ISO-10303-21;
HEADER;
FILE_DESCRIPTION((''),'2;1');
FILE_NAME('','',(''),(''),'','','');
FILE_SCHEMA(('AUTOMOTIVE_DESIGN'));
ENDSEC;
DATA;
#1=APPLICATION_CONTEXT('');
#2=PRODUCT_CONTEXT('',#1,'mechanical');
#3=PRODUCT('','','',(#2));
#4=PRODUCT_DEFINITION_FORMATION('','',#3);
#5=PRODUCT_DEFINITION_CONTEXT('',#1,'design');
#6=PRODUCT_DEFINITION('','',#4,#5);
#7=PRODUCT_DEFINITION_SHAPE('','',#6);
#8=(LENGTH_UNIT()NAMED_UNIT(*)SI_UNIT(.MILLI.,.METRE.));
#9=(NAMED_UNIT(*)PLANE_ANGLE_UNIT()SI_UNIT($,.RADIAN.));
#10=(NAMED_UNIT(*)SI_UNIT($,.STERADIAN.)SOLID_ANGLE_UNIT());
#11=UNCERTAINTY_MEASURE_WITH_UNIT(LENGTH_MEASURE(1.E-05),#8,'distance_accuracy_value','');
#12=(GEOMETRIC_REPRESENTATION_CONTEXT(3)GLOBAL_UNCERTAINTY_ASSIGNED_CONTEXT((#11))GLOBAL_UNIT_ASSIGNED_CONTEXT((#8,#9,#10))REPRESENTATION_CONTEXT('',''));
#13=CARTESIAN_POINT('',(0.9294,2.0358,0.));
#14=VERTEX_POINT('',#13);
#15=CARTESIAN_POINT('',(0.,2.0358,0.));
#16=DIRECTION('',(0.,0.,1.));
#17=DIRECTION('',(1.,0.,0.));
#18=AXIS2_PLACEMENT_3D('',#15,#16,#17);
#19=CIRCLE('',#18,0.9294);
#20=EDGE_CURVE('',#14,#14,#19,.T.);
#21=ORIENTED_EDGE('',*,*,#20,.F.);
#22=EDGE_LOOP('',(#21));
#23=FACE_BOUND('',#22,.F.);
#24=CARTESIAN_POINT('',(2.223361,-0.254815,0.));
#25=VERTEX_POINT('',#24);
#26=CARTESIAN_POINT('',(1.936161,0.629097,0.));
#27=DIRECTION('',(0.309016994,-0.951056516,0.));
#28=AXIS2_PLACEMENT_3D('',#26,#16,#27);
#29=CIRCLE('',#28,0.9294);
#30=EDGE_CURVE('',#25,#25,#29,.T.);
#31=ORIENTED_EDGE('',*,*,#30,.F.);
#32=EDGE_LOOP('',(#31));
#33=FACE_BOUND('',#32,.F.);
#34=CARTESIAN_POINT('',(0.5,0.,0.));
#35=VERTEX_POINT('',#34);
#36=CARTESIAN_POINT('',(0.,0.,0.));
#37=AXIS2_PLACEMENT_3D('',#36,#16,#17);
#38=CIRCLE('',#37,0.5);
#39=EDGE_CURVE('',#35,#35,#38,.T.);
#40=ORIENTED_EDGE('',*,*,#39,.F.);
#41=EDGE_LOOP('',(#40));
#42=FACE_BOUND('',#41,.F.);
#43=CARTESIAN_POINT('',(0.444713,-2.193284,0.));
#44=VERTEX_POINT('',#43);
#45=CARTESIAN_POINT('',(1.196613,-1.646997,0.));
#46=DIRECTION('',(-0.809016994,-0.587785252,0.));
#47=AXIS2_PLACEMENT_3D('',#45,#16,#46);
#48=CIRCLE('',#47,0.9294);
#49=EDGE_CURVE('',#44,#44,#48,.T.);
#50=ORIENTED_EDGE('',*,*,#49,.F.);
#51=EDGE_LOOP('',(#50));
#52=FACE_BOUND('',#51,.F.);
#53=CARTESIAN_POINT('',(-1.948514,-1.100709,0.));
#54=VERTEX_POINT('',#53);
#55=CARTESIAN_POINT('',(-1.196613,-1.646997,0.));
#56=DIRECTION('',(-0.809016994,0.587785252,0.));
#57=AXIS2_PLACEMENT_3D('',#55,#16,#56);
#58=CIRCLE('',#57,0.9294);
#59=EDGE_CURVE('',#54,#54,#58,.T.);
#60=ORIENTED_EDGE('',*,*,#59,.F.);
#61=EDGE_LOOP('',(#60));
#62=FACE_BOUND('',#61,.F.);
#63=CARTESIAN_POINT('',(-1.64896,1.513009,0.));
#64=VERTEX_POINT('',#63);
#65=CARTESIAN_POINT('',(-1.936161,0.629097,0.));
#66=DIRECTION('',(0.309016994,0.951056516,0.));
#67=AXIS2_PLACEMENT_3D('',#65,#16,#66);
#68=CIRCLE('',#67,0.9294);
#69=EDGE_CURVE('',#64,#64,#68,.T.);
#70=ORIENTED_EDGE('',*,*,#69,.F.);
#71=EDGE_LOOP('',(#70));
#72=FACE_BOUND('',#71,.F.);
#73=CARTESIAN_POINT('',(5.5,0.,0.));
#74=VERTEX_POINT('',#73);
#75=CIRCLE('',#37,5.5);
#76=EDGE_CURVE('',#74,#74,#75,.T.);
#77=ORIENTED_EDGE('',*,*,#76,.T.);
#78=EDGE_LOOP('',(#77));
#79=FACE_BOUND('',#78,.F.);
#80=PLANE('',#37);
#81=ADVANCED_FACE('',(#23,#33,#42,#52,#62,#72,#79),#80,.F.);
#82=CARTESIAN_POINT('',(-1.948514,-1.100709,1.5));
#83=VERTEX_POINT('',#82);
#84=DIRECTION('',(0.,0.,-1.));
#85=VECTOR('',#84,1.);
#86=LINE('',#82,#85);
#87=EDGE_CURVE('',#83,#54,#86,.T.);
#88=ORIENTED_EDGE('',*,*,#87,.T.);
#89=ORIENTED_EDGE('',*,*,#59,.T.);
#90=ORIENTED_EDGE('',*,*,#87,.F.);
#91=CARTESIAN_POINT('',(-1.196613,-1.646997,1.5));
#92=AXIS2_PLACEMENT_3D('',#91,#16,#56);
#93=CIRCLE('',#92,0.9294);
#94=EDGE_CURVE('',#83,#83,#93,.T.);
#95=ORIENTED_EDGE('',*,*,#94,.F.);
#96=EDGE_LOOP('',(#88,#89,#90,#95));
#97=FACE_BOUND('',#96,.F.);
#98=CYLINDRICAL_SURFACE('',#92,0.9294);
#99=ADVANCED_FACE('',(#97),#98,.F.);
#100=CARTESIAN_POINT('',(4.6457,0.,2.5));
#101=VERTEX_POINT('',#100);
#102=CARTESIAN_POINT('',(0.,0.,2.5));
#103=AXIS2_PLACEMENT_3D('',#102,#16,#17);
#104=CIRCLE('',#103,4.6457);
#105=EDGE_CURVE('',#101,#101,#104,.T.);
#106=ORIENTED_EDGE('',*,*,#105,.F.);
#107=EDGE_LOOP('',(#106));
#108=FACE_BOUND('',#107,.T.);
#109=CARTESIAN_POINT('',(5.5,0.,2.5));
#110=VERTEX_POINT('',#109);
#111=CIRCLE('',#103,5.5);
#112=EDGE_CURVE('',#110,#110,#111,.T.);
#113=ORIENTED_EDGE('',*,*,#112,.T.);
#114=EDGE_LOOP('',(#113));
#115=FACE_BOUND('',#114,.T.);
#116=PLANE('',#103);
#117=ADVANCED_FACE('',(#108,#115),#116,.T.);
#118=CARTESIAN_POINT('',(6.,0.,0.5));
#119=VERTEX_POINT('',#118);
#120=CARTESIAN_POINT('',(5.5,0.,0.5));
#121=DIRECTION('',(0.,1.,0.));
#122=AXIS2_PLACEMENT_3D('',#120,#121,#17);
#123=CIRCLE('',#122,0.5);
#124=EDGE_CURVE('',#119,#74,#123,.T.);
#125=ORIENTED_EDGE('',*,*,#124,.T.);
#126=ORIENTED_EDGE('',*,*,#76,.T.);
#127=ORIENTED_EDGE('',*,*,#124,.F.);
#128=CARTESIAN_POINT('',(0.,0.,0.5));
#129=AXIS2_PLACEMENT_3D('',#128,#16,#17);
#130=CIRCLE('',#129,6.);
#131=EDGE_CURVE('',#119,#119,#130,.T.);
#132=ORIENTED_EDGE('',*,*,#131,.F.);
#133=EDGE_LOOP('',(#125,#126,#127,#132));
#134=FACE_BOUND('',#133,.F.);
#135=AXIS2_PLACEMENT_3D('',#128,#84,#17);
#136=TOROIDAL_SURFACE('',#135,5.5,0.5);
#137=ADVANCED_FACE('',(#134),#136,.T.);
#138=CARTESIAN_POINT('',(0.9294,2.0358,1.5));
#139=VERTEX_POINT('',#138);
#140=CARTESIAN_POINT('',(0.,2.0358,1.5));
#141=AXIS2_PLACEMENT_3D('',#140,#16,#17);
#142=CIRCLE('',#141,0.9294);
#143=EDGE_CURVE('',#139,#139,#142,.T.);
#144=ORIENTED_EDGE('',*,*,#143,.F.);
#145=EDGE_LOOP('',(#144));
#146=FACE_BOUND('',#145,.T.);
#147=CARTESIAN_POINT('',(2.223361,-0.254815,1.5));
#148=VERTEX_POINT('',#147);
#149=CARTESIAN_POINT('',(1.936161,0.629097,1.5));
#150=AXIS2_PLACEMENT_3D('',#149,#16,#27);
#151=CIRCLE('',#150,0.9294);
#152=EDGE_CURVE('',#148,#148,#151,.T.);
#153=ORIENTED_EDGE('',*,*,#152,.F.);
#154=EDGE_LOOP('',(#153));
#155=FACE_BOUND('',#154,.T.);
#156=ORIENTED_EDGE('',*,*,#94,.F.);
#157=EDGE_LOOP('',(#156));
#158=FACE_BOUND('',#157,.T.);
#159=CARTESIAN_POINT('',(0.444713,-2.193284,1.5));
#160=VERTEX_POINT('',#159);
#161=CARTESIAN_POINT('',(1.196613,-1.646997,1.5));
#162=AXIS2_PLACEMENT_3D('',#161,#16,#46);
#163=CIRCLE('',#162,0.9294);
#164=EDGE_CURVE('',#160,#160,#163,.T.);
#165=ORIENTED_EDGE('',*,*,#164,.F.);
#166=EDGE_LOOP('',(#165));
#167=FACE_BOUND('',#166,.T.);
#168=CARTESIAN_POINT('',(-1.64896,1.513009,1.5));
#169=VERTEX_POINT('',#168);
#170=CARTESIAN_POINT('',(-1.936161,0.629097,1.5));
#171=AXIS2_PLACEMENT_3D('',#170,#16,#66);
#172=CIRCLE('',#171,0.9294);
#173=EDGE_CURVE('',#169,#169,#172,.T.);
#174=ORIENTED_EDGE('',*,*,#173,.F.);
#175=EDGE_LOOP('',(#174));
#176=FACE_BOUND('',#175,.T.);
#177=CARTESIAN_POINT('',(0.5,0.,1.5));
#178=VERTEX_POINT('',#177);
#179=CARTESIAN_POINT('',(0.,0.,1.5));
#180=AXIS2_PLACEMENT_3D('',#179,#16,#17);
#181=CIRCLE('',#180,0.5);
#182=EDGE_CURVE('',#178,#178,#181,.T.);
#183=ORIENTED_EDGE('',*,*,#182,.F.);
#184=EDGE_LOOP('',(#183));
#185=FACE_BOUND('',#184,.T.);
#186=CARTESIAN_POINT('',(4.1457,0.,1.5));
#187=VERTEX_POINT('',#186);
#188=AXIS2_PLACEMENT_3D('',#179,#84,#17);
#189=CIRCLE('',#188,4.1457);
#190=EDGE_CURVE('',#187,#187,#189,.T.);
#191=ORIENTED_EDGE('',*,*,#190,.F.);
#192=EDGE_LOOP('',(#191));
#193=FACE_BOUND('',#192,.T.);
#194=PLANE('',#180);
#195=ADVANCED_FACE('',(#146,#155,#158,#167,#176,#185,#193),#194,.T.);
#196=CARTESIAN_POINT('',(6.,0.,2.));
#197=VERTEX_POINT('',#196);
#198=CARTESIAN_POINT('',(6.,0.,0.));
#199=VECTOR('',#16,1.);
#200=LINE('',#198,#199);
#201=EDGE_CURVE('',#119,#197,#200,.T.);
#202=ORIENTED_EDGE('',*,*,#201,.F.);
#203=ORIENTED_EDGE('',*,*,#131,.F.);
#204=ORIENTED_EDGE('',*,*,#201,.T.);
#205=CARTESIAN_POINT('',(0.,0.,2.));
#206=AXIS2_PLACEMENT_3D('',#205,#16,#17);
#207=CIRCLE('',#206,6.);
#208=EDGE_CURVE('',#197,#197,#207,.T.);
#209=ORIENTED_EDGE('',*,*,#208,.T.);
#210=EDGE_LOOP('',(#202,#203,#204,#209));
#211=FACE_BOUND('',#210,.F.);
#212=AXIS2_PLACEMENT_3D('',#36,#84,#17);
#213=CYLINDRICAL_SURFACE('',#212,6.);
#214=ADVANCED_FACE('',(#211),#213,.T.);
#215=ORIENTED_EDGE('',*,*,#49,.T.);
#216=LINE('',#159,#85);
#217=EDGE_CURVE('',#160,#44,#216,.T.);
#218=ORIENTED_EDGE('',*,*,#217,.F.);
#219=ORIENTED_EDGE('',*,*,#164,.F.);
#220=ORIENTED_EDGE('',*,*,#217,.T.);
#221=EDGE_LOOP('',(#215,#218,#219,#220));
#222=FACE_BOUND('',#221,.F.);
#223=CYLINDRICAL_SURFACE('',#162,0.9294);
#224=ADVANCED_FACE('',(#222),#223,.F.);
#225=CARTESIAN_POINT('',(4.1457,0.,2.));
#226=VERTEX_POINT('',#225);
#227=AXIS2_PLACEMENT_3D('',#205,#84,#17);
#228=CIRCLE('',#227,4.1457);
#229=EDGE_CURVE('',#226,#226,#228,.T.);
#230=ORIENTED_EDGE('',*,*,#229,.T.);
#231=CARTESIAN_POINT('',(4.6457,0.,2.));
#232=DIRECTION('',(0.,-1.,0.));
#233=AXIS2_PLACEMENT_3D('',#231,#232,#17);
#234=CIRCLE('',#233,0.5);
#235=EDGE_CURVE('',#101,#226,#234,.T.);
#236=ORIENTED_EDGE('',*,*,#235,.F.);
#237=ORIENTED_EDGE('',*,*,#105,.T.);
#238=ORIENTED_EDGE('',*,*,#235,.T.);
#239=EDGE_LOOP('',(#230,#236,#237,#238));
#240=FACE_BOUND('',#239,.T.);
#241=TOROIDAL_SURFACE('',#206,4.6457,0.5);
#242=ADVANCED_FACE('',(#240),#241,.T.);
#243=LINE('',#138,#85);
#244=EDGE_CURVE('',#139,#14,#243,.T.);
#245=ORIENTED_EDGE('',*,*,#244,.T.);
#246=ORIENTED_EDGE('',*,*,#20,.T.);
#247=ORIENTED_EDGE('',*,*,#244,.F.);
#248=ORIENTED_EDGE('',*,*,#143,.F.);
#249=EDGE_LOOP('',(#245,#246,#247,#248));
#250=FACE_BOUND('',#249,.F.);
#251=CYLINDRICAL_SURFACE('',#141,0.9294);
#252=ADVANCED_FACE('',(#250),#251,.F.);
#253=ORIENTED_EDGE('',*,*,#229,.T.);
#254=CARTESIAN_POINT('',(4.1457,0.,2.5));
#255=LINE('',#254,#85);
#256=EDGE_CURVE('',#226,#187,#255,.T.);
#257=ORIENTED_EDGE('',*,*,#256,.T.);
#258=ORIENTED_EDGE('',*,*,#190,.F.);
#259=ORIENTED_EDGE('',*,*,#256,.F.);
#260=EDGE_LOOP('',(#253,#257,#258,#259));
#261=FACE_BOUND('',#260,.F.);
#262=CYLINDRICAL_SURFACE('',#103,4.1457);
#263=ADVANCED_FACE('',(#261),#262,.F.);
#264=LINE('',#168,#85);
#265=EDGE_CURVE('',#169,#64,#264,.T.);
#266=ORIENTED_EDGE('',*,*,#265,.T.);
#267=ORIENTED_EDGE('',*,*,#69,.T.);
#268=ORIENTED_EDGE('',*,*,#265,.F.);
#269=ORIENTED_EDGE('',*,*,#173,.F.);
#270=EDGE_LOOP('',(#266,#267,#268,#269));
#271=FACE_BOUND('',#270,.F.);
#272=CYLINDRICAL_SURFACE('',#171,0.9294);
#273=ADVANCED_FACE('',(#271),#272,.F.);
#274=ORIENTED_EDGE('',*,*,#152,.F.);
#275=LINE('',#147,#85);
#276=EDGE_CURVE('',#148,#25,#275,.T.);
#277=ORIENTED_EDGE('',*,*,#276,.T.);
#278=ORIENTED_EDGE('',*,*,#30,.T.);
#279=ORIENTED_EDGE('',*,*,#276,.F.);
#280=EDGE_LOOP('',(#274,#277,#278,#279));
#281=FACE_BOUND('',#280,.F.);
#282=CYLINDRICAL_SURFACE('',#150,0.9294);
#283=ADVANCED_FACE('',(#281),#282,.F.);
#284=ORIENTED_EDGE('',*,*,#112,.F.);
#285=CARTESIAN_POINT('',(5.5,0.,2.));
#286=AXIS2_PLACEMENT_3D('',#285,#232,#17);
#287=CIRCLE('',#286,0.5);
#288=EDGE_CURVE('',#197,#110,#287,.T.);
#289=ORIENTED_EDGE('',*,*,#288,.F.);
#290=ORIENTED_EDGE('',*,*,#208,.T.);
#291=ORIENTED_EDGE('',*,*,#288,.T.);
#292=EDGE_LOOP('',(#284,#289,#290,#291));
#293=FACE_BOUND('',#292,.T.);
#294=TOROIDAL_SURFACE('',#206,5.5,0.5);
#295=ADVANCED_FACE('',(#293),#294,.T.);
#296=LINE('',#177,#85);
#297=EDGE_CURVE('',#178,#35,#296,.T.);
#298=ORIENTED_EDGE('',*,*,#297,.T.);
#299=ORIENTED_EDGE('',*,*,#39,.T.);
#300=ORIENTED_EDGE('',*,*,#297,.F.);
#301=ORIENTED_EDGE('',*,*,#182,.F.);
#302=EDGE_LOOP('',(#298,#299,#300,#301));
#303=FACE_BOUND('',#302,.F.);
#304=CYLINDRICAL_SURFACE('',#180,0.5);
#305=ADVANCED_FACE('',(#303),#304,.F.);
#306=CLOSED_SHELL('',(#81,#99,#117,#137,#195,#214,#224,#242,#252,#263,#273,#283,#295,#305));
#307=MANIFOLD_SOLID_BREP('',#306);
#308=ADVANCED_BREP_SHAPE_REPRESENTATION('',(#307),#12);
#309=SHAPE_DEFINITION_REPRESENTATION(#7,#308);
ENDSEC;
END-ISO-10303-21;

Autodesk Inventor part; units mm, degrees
ref_plane "YZ Plane" through (0, 0, 0) normal (1, 0, 0) x (0, 1, 0)
ref_plane "XZ Plane" through (0, 0, 0) normal (0, 1, 0) x (-1, 0, 0)
ref_plane "XY Plane" through (0, 0, 0) normal (0, 0, 1) x (1, 0, 0)
sketch "Sketch1" plane through (0, 0, 0) normal (0, 0, 1) x (1, 0, 0)
  circle A0 centre (0, 0) radius 6
  dimension "d0" = 12
extrude "Extrusion1" add sketch "Sketch1" along normal blind 2.5
fillet "Fillet1" radius 0.5 2 edges at (-6, 0, 2.5) (-6, 0, 0)
sketch "Sketch2" plane through (0, 0, 2.5) normal (0, 0, 1) x (1, 0, 0)
  circle A0 centre (0, 0) radius 4.1457
extrude "Extrusion2" cut sketch "Sketch2" against normal blind 1
fillet "Fillet2" radius 0.5 1 edges at (-4.1457, 0, 2.5)
sketch "Sketch3" plane through (0, 0, 1.5) normal (0, 0, 1) x (1, 0, 0)
  circle A0 centre (0, 0) radius 0.5
  dimension "d7" = 1
extrude "Extrusion3" cut sketch "Sketch3" against normal through all
sketch "Sketch4" plane through (0, 0, 1.5) normal (0, 0, 1) x (1, 0, 0)
  circle A0 centre (0, 2.0358) radius 0.9294
  point P0 (0, 0)
extrude "Extrusion4" cut sketch "Sketch4" against normal blind 1.5
pattern_circular "Circular Pattern1" count 5 over 360 about axis through (0, 0, 1.5) along (0, 0, -1) of "Extrusion2", "Extrusion4"
properties part number "Wheel IT_CPY"
